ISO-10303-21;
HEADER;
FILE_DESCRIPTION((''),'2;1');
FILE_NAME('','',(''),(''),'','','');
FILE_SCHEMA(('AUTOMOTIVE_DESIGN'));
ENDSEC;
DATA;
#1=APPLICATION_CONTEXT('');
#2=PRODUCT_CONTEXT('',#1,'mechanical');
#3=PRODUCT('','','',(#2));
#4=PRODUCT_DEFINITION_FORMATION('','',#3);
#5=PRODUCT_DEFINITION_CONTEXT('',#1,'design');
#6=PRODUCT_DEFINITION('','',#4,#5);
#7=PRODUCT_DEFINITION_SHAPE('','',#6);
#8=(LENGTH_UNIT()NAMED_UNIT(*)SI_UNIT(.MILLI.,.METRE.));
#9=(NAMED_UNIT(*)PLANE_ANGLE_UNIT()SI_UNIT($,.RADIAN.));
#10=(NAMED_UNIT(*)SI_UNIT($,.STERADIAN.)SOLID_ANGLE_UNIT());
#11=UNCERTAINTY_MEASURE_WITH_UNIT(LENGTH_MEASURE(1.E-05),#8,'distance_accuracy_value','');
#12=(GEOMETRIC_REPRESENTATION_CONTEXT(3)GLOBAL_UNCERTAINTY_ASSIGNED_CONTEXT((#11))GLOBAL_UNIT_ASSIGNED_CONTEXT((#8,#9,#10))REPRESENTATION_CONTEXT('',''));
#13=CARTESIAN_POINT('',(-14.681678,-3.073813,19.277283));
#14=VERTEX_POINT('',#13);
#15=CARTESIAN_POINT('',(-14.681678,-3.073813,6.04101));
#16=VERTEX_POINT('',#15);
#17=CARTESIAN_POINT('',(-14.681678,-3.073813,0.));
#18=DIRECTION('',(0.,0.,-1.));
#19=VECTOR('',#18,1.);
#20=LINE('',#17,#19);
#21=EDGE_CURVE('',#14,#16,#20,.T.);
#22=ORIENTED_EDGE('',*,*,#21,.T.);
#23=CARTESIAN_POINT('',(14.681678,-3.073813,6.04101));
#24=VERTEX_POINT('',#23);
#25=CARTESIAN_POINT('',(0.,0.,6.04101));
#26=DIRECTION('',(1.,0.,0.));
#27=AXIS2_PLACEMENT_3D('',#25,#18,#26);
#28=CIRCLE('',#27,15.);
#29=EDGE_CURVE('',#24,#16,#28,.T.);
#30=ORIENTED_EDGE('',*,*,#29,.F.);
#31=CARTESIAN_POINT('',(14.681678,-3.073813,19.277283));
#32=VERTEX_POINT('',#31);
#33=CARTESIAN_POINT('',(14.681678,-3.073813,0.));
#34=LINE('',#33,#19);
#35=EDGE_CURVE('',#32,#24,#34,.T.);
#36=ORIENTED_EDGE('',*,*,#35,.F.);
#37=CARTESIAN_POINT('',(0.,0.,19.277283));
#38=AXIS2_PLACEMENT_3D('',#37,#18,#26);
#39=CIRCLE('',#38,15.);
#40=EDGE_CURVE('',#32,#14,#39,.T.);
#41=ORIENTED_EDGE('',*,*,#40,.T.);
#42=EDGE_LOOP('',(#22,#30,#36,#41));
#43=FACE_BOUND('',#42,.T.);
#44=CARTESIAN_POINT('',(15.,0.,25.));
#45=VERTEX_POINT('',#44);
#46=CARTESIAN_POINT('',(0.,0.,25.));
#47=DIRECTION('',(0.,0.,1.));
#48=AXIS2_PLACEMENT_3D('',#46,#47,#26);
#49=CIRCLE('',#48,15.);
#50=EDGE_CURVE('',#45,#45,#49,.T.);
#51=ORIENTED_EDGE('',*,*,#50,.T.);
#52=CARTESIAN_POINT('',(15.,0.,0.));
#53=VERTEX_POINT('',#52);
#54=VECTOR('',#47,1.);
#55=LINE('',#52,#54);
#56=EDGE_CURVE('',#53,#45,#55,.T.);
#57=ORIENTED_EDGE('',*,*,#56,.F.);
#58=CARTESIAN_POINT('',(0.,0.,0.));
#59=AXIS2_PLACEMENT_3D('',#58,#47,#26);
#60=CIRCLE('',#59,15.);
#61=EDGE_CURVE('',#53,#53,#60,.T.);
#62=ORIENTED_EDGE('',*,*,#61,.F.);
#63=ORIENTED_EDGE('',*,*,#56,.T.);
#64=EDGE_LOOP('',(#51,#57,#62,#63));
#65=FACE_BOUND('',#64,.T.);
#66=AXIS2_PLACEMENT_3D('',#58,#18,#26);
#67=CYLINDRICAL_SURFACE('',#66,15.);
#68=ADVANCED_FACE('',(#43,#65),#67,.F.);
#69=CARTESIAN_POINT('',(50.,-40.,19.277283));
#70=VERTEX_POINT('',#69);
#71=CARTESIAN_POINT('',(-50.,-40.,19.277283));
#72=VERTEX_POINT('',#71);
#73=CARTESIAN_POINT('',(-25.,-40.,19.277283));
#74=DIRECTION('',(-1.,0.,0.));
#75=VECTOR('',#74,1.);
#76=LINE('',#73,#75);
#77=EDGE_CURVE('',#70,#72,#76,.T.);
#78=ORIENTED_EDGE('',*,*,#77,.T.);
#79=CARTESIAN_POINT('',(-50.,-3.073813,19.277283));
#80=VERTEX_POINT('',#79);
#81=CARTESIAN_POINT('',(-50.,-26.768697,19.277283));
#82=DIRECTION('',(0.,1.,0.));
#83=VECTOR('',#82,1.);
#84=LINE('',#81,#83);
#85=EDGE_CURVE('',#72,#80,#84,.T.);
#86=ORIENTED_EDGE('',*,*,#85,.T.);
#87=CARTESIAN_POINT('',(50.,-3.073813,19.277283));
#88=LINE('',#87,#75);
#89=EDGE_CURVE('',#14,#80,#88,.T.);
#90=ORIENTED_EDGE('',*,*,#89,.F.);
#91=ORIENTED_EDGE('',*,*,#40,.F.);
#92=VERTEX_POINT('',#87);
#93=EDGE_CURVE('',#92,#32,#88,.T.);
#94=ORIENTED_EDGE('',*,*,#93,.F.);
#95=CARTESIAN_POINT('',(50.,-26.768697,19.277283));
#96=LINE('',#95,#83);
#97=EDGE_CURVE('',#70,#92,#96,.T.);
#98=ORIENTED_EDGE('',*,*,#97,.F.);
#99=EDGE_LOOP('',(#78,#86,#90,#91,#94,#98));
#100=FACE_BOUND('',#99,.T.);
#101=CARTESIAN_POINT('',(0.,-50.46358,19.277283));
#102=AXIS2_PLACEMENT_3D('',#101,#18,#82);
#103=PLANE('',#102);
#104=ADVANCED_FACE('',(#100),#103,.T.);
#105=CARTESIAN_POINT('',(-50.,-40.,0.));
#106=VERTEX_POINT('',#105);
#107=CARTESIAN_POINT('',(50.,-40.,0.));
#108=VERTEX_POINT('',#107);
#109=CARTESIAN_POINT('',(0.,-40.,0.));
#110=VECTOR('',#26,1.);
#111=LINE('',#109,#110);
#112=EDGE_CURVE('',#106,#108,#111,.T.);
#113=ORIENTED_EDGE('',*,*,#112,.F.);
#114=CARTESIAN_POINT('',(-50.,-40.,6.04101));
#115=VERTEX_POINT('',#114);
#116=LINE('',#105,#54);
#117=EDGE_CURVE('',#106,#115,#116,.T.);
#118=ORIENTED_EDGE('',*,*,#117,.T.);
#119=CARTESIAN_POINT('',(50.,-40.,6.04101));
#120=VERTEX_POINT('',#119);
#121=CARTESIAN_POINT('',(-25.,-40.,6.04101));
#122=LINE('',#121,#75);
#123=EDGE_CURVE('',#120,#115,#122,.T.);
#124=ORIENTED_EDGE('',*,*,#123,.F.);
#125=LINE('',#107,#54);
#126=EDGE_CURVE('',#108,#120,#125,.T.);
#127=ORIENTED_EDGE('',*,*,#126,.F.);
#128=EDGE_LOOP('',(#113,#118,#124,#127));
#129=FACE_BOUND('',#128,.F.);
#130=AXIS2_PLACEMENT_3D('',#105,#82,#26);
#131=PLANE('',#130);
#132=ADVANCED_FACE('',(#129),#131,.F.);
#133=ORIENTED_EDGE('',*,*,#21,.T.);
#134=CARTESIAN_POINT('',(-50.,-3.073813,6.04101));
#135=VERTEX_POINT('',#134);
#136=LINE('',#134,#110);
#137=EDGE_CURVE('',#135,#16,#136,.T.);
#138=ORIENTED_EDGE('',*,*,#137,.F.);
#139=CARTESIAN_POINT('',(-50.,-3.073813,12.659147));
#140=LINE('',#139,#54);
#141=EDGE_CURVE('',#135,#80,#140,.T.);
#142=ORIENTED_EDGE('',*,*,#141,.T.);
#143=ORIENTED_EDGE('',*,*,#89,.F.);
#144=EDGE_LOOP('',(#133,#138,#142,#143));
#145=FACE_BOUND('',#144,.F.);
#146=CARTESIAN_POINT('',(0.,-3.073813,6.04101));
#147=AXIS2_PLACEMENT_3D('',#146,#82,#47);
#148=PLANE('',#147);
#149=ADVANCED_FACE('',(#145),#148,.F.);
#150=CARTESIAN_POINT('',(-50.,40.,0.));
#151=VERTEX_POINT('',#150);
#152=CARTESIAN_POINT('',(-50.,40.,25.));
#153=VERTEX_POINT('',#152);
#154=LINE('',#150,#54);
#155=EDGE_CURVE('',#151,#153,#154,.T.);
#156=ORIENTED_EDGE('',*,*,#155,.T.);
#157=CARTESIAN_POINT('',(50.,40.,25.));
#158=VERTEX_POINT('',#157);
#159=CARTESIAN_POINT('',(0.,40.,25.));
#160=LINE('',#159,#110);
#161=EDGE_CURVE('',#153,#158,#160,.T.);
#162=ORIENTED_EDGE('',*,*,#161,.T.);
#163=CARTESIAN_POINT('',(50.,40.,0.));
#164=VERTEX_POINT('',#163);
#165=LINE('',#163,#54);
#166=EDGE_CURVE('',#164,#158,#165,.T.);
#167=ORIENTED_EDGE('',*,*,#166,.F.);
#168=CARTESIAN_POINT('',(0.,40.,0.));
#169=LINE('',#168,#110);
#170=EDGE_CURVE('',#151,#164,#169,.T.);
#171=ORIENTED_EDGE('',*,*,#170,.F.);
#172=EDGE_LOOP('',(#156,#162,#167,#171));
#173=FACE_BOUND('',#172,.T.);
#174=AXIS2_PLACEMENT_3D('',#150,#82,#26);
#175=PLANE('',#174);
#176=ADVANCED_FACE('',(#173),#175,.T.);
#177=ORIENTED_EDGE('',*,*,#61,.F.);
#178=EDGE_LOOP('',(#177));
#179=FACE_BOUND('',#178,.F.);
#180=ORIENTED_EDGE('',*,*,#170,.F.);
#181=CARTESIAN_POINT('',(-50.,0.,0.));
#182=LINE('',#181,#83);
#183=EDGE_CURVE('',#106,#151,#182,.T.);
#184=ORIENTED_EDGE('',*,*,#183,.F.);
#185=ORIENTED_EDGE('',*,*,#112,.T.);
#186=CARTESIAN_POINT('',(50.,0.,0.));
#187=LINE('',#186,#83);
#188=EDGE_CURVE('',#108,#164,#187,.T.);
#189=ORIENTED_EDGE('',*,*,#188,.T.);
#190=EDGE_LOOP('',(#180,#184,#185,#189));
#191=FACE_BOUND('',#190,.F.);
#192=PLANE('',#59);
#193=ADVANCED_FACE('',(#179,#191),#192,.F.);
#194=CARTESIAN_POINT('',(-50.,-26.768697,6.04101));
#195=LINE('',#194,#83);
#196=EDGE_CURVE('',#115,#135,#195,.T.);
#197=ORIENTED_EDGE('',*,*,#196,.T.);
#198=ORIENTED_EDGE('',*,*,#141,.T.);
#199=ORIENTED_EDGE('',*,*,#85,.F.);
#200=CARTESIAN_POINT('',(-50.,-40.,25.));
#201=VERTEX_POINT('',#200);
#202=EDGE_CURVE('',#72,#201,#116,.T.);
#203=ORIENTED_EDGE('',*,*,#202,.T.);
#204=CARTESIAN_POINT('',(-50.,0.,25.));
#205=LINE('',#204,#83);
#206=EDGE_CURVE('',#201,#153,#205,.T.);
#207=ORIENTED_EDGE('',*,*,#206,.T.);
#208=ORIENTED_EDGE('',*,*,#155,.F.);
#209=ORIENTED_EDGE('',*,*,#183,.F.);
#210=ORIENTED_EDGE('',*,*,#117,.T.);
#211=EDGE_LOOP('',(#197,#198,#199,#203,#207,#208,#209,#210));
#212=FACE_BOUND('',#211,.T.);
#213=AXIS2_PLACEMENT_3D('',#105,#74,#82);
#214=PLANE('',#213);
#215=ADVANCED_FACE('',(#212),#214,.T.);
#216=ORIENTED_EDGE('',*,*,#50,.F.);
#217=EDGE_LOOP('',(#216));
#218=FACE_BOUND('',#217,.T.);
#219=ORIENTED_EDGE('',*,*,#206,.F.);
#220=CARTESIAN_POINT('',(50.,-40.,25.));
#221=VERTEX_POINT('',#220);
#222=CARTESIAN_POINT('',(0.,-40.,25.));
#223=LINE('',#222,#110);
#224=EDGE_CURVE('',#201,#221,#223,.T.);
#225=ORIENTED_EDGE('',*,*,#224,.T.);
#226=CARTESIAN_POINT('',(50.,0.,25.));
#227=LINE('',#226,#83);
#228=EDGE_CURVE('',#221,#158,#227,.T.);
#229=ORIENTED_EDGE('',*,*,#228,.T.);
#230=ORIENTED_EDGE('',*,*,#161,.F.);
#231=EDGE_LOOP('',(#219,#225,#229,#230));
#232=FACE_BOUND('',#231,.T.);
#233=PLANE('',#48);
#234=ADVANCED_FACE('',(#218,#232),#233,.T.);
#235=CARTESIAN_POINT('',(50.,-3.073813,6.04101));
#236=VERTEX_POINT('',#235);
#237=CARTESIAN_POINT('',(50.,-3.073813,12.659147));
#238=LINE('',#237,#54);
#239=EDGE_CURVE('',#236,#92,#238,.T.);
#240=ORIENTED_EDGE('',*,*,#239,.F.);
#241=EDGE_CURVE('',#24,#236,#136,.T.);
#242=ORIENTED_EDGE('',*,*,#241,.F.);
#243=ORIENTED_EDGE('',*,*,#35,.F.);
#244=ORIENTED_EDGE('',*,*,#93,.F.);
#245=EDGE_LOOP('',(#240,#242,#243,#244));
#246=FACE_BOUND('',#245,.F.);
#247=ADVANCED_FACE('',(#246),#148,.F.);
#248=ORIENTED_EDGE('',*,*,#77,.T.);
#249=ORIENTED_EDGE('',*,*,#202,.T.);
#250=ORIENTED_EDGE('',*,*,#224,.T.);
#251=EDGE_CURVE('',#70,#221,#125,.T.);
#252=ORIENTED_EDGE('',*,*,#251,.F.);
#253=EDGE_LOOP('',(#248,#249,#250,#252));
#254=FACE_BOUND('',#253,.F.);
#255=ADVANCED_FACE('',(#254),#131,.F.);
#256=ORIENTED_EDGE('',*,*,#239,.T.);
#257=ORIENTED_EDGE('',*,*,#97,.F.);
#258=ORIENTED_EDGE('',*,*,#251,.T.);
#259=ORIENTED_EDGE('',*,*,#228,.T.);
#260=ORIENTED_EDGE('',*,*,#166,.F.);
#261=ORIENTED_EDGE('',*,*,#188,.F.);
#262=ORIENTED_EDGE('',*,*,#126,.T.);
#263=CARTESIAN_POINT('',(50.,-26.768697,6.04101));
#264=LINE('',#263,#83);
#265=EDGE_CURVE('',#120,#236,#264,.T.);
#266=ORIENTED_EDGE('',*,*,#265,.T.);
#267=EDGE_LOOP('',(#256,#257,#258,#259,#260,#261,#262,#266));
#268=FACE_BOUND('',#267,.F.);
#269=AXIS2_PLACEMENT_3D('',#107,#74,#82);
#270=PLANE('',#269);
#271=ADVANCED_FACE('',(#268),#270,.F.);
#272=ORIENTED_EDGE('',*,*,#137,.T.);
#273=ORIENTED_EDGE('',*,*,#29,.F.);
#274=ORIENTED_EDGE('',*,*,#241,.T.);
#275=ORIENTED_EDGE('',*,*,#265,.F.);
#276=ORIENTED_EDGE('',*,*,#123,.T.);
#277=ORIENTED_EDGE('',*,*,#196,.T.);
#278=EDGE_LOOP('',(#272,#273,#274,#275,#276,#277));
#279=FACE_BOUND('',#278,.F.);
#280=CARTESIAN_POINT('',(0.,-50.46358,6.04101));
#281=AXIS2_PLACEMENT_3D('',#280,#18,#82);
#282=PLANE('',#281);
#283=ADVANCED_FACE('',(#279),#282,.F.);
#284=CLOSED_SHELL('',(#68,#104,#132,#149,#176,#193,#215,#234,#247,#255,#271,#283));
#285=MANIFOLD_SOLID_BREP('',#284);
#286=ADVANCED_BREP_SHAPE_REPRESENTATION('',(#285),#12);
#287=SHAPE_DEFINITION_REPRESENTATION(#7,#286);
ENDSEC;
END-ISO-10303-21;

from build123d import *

# Parameters (mm, degrees)
F0_W     = 100
F0_H     = 80
F0_R     = 15
F1_DEPTH = 25
F2_W     = 47.389767
F2_H     = 13.236273
F3_DEPTH = 50


with BuildPart() as f1:
    # F0 (on Top) → F1 (new body)
    with BuildSketch(Plane.XY):
        Rectangle(F0_W, F0_H)
        Circle(F0_R, mode=Mode.SUBTRACT)
    extrude(amount=F1_DEPTH)

    # F2 (on Right) → F3 (cut, symmetric)
    with BuildSketch(Plane.YZ):
        with Locations((-26.768697, 12.659147)):
            Rectangle(F2_W, F2_H)
    extrude(amount=F3_DEPTH, both=True, mode=Mode.SUBTRACT)


solid = f1.part
